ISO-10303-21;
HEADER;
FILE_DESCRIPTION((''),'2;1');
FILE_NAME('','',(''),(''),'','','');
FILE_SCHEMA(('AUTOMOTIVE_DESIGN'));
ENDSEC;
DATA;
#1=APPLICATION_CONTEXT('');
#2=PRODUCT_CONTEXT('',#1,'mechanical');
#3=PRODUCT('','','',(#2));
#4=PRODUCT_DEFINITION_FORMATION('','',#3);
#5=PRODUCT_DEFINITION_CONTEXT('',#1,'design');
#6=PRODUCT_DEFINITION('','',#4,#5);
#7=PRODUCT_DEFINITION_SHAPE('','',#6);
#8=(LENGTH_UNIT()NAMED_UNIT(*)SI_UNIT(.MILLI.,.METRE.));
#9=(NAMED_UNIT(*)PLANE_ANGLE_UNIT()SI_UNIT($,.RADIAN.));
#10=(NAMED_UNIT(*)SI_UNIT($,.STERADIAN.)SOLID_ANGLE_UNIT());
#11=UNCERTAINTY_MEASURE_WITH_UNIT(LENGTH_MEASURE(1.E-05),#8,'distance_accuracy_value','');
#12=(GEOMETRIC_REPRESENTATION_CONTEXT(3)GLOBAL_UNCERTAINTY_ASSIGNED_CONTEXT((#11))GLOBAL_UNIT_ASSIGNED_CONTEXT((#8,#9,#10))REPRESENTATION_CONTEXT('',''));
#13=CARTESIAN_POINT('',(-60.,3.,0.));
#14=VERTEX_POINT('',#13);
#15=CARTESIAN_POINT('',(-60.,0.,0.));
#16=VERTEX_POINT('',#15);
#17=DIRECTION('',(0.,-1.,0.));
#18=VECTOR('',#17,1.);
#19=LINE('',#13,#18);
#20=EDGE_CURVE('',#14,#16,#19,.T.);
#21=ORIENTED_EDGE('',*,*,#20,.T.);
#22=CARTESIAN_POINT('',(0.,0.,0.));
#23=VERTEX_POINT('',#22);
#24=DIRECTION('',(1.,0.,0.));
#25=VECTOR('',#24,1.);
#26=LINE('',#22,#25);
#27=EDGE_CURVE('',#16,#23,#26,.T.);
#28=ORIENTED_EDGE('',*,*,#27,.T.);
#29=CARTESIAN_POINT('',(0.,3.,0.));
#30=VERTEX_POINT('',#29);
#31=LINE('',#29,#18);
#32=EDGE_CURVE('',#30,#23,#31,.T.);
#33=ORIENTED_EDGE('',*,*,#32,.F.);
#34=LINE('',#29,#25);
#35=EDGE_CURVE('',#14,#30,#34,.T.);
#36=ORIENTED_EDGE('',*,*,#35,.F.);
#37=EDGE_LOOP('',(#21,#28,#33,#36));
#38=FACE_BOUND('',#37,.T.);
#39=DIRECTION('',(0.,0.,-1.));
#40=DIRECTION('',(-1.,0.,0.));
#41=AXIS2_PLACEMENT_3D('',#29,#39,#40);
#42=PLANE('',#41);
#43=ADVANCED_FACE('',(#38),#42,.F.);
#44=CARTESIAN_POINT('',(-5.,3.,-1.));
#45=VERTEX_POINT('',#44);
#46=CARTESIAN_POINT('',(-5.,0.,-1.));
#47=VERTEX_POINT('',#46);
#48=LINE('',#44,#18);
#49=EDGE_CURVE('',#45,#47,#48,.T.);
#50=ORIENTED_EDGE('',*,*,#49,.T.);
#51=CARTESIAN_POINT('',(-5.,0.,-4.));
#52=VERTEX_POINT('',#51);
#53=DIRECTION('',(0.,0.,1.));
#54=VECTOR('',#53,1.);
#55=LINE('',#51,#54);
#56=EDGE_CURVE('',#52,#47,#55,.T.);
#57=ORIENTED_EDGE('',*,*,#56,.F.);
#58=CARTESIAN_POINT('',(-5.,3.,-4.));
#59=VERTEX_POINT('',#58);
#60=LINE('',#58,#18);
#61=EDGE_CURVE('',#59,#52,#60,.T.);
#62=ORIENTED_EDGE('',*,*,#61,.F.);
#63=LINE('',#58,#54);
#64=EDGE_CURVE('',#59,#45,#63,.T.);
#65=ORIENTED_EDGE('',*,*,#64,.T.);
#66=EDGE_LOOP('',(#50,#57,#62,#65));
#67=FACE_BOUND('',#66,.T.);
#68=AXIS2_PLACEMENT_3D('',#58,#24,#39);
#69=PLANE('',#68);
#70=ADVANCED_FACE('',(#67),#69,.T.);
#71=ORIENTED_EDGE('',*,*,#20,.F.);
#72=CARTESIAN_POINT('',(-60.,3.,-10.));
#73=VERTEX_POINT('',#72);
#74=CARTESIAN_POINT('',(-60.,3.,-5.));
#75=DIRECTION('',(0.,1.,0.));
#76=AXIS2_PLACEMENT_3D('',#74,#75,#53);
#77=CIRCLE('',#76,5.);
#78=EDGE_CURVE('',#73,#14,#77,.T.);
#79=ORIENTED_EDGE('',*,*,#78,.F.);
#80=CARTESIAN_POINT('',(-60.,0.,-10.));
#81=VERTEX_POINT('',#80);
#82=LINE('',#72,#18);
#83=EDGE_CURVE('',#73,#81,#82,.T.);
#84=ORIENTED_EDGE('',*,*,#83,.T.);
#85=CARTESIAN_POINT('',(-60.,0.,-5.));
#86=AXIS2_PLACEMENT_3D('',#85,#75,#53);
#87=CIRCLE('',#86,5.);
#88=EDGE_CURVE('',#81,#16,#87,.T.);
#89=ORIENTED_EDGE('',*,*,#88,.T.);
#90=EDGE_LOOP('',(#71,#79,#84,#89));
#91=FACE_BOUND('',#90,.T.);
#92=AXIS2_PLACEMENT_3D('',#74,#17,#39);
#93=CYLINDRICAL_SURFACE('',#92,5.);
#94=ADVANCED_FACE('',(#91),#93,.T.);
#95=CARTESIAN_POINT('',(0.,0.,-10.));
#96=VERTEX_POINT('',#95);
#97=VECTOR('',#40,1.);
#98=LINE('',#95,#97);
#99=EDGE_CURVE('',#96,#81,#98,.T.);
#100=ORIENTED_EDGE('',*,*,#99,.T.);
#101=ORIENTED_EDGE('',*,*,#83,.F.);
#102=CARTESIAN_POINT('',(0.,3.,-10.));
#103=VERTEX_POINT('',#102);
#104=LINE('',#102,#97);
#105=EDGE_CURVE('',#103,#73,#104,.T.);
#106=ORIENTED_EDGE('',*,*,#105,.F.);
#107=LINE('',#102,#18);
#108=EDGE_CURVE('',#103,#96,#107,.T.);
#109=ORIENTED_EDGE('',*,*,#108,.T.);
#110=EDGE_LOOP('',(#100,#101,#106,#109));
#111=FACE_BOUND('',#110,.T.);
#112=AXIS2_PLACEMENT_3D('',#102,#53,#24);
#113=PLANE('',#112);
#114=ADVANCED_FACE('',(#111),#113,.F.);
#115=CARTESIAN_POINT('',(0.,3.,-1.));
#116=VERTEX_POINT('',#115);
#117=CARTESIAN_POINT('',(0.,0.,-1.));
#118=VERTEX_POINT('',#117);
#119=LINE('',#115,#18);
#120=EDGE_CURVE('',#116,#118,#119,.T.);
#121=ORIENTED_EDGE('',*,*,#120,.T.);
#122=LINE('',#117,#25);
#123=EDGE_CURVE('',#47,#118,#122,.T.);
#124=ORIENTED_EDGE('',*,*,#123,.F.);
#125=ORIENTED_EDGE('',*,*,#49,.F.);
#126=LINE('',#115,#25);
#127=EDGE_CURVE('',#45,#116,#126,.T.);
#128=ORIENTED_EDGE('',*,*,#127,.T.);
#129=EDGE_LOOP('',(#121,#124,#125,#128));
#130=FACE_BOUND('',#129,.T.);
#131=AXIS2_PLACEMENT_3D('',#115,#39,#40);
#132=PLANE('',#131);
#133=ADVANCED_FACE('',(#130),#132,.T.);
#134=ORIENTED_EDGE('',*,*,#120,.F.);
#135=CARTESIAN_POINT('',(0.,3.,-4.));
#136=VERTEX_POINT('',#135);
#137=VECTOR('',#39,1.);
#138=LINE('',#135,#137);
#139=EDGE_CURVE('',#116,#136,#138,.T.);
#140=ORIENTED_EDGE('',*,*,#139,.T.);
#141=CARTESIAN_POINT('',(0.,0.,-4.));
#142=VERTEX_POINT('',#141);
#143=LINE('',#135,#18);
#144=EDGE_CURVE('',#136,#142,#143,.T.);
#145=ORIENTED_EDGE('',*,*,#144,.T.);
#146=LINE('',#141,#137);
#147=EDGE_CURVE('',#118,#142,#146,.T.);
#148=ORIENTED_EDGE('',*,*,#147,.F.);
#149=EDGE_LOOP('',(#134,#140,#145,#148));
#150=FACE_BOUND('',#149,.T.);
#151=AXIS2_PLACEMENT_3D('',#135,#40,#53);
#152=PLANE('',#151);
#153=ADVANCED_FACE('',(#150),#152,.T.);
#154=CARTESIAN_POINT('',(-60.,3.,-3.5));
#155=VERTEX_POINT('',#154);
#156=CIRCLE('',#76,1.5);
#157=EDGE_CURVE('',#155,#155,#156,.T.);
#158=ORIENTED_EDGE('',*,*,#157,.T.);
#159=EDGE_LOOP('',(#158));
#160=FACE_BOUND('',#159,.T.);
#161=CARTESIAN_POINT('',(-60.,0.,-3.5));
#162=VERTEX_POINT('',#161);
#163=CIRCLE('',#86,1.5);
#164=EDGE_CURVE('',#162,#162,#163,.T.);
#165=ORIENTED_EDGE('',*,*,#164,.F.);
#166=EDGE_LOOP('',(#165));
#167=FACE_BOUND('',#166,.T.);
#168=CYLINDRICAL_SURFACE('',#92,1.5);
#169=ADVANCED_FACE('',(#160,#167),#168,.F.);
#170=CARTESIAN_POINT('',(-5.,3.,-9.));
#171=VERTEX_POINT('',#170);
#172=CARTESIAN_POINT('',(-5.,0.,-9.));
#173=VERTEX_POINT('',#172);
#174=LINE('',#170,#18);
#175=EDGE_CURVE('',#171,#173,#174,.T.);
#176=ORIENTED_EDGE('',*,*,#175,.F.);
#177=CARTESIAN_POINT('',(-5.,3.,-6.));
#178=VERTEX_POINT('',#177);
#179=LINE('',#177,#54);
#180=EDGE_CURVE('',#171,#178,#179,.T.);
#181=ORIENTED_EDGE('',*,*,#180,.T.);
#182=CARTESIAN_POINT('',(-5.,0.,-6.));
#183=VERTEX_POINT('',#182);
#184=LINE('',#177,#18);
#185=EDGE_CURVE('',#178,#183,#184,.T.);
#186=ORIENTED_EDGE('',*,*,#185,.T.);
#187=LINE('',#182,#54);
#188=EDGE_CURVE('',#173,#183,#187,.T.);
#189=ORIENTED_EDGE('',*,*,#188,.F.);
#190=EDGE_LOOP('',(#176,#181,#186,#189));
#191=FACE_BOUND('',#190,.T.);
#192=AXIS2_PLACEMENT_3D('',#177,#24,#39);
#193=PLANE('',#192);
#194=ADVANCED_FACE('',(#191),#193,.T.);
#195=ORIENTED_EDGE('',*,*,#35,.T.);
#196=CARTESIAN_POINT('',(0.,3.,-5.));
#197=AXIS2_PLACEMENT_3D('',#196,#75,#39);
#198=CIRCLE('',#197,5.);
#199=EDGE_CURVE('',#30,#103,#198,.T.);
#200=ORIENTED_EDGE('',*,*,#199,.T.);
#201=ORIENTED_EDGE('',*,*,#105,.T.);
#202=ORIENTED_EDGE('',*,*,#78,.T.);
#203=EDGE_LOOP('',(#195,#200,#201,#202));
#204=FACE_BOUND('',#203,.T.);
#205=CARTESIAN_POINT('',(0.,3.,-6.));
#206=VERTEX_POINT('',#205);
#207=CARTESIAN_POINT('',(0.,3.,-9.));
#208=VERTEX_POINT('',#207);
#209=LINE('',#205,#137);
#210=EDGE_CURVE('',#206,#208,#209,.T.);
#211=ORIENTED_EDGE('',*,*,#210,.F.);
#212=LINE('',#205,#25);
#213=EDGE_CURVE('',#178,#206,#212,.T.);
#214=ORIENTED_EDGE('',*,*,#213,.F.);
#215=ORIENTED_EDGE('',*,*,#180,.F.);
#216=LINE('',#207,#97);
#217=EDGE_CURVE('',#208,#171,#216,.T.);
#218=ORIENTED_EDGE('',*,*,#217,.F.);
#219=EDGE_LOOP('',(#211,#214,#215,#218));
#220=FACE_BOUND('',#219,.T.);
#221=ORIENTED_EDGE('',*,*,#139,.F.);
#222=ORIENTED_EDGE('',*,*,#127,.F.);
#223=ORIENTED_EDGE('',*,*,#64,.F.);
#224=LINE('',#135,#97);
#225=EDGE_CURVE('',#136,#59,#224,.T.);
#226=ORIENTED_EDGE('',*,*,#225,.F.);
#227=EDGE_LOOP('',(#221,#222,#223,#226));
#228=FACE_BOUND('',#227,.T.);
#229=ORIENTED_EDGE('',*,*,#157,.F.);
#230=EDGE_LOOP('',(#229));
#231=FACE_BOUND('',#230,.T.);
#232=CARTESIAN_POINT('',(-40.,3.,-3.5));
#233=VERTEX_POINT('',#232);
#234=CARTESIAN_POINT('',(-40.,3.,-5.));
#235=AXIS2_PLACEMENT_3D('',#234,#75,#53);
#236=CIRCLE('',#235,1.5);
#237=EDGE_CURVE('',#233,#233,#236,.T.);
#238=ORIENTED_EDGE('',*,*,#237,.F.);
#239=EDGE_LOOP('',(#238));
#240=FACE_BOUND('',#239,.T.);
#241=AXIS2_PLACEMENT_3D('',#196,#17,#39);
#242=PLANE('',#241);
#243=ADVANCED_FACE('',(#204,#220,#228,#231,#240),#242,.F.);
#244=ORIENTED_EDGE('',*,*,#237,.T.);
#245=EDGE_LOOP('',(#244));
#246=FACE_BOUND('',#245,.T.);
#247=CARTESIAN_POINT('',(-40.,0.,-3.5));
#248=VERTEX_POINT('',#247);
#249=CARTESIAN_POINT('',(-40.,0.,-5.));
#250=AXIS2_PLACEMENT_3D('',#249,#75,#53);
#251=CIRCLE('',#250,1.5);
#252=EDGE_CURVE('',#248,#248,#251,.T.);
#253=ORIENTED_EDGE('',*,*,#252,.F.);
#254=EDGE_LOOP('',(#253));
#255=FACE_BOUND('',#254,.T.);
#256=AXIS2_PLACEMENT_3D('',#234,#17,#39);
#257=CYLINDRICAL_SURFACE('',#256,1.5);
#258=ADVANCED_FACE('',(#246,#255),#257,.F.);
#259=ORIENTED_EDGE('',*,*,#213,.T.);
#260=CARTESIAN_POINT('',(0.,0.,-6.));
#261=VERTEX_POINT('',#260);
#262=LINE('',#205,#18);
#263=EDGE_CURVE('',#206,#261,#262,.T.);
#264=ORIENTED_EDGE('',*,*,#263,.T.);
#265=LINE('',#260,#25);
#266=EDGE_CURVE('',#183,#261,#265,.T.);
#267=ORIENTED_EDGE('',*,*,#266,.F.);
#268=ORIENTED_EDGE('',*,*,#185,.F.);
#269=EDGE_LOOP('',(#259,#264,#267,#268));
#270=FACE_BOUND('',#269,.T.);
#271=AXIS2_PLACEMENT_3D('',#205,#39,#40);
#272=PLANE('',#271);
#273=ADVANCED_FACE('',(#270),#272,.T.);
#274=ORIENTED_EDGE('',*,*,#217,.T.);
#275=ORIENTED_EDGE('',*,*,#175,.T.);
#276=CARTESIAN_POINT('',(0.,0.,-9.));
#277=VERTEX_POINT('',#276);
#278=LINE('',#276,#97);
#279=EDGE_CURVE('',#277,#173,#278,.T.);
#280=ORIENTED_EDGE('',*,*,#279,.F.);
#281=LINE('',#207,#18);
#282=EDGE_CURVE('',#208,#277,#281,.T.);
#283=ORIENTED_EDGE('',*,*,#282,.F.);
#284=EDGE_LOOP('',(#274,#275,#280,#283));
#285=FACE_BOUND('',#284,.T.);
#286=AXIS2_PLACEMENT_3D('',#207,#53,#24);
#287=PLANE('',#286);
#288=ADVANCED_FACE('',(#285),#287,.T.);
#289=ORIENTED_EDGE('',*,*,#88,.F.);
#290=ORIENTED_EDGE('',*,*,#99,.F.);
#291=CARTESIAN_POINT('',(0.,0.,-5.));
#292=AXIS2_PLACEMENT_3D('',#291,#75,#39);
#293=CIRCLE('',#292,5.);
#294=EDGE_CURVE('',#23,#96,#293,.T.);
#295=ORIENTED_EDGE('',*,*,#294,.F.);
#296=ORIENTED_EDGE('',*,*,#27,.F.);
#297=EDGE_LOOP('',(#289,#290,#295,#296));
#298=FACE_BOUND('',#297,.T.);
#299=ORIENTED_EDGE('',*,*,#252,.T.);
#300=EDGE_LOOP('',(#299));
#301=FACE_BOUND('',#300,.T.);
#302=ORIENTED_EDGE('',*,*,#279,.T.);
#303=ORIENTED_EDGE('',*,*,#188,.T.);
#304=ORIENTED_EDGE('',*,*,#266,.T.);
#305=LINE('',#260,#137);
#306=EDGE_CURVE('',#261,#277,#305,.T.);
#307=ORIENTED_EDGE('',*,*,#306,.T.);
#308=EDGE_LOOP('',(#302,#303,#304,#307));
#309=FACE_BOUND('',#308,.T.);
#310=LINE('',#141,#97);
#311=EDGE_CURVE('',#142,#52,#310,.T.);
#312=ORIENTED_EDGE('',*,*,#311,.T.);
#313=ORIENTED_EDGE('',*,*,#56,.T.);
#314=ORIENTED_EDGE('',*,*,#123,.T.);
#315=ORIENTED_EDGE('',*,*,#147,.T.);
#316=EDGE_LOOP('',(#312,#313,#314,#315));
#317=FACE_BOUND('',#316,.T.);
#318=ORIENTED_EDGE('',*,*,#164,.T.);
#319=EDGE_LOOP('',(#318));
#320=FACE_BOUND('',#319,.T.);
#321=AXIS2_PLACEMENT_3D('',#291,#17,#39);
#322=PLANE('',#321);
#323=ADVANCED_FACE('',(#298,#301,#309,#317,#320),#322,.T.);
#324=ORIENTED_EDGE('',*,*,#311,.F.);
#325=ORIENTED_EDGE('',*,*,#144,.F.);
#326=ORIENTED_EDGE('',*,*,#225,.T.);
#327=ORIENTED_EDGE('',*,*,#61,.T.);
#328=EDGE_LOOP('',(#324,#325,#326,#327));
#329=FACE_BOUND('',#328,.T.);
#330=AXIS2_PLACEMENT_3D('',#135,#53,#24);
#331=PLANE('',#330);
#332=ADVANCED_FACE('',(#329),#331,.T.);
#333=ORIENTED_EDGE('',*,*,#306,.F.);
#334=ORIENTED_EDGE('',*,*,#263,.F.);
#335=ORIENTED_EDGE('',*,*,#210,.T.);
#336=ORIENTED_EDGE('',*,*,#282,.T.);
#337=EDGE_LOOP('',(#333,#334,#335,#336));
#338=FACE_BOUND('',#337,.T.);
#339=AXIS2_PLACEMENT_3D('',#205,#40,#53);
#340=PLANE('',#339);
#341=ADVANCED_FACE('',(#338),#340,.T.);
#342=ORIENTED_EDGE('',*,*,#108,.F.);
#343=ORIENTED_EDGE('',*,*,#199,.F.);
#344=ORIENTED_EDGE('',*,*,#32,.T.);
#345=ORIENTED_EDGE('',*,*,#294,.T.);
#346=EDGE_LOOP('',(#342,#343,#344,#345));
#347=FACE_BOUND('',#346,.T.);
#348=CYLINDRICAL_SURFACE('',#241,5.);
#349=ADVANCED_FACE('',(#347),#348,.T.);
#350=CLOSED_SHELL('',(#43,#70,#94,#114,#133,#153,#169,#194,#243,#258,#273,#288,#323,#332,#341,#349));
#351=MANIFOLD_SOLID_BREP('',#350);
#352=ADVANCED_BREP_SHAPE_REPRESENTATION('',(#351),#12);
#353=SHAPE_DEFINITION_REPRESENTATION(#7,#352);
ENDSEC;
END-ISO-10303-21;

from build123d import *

# Parameters (mm, degrees)
SKETCH1_R           = 1.5
SKETCH1_W           = 5
SKETCH1_H           = 3
BOSS_EXTRUDE1_DEPTH = 3


with BuildPart() as part:
    # Sketch1 → Boss-Extrude1 (new body)
    with BuildSketch(Plane(origin=(0, 0, 0), x_dir=(1, 0, 0), z_dir=(0, 1, 0))):
        with BuildLine():
            Line((0, 0), (-60, 0))
            ThreePointArc((-60, 0), (-65, 5), (-60, 10))
            Line((-60, 10), (0, 10))
            ThreePointArc((0, 10), (5, 5), (0, 0))
        make_face()
        with Locations((-60, 5)):
            Circle(SKETCH1_R, mode=Mode.SUBTRACT)
        with Locations((-40, 5)):
            Circle(SKETCH1_R, mode=Mode.SUBTRACT)
        with Locations((-2.5, 2.5)):
            Rectangle(SKETCH1_W, SKETCH1_H, mode=Mode.SUBTRACT)
        with Locations((-2.5, 7.5)):
            Rectangle(SKETCH1_W, SKETCH1_H, mode=Mode.SUBTRACT)
    extrude(amount=BOSS_EXTRUDE1_DEPTH)


solid = part.part
